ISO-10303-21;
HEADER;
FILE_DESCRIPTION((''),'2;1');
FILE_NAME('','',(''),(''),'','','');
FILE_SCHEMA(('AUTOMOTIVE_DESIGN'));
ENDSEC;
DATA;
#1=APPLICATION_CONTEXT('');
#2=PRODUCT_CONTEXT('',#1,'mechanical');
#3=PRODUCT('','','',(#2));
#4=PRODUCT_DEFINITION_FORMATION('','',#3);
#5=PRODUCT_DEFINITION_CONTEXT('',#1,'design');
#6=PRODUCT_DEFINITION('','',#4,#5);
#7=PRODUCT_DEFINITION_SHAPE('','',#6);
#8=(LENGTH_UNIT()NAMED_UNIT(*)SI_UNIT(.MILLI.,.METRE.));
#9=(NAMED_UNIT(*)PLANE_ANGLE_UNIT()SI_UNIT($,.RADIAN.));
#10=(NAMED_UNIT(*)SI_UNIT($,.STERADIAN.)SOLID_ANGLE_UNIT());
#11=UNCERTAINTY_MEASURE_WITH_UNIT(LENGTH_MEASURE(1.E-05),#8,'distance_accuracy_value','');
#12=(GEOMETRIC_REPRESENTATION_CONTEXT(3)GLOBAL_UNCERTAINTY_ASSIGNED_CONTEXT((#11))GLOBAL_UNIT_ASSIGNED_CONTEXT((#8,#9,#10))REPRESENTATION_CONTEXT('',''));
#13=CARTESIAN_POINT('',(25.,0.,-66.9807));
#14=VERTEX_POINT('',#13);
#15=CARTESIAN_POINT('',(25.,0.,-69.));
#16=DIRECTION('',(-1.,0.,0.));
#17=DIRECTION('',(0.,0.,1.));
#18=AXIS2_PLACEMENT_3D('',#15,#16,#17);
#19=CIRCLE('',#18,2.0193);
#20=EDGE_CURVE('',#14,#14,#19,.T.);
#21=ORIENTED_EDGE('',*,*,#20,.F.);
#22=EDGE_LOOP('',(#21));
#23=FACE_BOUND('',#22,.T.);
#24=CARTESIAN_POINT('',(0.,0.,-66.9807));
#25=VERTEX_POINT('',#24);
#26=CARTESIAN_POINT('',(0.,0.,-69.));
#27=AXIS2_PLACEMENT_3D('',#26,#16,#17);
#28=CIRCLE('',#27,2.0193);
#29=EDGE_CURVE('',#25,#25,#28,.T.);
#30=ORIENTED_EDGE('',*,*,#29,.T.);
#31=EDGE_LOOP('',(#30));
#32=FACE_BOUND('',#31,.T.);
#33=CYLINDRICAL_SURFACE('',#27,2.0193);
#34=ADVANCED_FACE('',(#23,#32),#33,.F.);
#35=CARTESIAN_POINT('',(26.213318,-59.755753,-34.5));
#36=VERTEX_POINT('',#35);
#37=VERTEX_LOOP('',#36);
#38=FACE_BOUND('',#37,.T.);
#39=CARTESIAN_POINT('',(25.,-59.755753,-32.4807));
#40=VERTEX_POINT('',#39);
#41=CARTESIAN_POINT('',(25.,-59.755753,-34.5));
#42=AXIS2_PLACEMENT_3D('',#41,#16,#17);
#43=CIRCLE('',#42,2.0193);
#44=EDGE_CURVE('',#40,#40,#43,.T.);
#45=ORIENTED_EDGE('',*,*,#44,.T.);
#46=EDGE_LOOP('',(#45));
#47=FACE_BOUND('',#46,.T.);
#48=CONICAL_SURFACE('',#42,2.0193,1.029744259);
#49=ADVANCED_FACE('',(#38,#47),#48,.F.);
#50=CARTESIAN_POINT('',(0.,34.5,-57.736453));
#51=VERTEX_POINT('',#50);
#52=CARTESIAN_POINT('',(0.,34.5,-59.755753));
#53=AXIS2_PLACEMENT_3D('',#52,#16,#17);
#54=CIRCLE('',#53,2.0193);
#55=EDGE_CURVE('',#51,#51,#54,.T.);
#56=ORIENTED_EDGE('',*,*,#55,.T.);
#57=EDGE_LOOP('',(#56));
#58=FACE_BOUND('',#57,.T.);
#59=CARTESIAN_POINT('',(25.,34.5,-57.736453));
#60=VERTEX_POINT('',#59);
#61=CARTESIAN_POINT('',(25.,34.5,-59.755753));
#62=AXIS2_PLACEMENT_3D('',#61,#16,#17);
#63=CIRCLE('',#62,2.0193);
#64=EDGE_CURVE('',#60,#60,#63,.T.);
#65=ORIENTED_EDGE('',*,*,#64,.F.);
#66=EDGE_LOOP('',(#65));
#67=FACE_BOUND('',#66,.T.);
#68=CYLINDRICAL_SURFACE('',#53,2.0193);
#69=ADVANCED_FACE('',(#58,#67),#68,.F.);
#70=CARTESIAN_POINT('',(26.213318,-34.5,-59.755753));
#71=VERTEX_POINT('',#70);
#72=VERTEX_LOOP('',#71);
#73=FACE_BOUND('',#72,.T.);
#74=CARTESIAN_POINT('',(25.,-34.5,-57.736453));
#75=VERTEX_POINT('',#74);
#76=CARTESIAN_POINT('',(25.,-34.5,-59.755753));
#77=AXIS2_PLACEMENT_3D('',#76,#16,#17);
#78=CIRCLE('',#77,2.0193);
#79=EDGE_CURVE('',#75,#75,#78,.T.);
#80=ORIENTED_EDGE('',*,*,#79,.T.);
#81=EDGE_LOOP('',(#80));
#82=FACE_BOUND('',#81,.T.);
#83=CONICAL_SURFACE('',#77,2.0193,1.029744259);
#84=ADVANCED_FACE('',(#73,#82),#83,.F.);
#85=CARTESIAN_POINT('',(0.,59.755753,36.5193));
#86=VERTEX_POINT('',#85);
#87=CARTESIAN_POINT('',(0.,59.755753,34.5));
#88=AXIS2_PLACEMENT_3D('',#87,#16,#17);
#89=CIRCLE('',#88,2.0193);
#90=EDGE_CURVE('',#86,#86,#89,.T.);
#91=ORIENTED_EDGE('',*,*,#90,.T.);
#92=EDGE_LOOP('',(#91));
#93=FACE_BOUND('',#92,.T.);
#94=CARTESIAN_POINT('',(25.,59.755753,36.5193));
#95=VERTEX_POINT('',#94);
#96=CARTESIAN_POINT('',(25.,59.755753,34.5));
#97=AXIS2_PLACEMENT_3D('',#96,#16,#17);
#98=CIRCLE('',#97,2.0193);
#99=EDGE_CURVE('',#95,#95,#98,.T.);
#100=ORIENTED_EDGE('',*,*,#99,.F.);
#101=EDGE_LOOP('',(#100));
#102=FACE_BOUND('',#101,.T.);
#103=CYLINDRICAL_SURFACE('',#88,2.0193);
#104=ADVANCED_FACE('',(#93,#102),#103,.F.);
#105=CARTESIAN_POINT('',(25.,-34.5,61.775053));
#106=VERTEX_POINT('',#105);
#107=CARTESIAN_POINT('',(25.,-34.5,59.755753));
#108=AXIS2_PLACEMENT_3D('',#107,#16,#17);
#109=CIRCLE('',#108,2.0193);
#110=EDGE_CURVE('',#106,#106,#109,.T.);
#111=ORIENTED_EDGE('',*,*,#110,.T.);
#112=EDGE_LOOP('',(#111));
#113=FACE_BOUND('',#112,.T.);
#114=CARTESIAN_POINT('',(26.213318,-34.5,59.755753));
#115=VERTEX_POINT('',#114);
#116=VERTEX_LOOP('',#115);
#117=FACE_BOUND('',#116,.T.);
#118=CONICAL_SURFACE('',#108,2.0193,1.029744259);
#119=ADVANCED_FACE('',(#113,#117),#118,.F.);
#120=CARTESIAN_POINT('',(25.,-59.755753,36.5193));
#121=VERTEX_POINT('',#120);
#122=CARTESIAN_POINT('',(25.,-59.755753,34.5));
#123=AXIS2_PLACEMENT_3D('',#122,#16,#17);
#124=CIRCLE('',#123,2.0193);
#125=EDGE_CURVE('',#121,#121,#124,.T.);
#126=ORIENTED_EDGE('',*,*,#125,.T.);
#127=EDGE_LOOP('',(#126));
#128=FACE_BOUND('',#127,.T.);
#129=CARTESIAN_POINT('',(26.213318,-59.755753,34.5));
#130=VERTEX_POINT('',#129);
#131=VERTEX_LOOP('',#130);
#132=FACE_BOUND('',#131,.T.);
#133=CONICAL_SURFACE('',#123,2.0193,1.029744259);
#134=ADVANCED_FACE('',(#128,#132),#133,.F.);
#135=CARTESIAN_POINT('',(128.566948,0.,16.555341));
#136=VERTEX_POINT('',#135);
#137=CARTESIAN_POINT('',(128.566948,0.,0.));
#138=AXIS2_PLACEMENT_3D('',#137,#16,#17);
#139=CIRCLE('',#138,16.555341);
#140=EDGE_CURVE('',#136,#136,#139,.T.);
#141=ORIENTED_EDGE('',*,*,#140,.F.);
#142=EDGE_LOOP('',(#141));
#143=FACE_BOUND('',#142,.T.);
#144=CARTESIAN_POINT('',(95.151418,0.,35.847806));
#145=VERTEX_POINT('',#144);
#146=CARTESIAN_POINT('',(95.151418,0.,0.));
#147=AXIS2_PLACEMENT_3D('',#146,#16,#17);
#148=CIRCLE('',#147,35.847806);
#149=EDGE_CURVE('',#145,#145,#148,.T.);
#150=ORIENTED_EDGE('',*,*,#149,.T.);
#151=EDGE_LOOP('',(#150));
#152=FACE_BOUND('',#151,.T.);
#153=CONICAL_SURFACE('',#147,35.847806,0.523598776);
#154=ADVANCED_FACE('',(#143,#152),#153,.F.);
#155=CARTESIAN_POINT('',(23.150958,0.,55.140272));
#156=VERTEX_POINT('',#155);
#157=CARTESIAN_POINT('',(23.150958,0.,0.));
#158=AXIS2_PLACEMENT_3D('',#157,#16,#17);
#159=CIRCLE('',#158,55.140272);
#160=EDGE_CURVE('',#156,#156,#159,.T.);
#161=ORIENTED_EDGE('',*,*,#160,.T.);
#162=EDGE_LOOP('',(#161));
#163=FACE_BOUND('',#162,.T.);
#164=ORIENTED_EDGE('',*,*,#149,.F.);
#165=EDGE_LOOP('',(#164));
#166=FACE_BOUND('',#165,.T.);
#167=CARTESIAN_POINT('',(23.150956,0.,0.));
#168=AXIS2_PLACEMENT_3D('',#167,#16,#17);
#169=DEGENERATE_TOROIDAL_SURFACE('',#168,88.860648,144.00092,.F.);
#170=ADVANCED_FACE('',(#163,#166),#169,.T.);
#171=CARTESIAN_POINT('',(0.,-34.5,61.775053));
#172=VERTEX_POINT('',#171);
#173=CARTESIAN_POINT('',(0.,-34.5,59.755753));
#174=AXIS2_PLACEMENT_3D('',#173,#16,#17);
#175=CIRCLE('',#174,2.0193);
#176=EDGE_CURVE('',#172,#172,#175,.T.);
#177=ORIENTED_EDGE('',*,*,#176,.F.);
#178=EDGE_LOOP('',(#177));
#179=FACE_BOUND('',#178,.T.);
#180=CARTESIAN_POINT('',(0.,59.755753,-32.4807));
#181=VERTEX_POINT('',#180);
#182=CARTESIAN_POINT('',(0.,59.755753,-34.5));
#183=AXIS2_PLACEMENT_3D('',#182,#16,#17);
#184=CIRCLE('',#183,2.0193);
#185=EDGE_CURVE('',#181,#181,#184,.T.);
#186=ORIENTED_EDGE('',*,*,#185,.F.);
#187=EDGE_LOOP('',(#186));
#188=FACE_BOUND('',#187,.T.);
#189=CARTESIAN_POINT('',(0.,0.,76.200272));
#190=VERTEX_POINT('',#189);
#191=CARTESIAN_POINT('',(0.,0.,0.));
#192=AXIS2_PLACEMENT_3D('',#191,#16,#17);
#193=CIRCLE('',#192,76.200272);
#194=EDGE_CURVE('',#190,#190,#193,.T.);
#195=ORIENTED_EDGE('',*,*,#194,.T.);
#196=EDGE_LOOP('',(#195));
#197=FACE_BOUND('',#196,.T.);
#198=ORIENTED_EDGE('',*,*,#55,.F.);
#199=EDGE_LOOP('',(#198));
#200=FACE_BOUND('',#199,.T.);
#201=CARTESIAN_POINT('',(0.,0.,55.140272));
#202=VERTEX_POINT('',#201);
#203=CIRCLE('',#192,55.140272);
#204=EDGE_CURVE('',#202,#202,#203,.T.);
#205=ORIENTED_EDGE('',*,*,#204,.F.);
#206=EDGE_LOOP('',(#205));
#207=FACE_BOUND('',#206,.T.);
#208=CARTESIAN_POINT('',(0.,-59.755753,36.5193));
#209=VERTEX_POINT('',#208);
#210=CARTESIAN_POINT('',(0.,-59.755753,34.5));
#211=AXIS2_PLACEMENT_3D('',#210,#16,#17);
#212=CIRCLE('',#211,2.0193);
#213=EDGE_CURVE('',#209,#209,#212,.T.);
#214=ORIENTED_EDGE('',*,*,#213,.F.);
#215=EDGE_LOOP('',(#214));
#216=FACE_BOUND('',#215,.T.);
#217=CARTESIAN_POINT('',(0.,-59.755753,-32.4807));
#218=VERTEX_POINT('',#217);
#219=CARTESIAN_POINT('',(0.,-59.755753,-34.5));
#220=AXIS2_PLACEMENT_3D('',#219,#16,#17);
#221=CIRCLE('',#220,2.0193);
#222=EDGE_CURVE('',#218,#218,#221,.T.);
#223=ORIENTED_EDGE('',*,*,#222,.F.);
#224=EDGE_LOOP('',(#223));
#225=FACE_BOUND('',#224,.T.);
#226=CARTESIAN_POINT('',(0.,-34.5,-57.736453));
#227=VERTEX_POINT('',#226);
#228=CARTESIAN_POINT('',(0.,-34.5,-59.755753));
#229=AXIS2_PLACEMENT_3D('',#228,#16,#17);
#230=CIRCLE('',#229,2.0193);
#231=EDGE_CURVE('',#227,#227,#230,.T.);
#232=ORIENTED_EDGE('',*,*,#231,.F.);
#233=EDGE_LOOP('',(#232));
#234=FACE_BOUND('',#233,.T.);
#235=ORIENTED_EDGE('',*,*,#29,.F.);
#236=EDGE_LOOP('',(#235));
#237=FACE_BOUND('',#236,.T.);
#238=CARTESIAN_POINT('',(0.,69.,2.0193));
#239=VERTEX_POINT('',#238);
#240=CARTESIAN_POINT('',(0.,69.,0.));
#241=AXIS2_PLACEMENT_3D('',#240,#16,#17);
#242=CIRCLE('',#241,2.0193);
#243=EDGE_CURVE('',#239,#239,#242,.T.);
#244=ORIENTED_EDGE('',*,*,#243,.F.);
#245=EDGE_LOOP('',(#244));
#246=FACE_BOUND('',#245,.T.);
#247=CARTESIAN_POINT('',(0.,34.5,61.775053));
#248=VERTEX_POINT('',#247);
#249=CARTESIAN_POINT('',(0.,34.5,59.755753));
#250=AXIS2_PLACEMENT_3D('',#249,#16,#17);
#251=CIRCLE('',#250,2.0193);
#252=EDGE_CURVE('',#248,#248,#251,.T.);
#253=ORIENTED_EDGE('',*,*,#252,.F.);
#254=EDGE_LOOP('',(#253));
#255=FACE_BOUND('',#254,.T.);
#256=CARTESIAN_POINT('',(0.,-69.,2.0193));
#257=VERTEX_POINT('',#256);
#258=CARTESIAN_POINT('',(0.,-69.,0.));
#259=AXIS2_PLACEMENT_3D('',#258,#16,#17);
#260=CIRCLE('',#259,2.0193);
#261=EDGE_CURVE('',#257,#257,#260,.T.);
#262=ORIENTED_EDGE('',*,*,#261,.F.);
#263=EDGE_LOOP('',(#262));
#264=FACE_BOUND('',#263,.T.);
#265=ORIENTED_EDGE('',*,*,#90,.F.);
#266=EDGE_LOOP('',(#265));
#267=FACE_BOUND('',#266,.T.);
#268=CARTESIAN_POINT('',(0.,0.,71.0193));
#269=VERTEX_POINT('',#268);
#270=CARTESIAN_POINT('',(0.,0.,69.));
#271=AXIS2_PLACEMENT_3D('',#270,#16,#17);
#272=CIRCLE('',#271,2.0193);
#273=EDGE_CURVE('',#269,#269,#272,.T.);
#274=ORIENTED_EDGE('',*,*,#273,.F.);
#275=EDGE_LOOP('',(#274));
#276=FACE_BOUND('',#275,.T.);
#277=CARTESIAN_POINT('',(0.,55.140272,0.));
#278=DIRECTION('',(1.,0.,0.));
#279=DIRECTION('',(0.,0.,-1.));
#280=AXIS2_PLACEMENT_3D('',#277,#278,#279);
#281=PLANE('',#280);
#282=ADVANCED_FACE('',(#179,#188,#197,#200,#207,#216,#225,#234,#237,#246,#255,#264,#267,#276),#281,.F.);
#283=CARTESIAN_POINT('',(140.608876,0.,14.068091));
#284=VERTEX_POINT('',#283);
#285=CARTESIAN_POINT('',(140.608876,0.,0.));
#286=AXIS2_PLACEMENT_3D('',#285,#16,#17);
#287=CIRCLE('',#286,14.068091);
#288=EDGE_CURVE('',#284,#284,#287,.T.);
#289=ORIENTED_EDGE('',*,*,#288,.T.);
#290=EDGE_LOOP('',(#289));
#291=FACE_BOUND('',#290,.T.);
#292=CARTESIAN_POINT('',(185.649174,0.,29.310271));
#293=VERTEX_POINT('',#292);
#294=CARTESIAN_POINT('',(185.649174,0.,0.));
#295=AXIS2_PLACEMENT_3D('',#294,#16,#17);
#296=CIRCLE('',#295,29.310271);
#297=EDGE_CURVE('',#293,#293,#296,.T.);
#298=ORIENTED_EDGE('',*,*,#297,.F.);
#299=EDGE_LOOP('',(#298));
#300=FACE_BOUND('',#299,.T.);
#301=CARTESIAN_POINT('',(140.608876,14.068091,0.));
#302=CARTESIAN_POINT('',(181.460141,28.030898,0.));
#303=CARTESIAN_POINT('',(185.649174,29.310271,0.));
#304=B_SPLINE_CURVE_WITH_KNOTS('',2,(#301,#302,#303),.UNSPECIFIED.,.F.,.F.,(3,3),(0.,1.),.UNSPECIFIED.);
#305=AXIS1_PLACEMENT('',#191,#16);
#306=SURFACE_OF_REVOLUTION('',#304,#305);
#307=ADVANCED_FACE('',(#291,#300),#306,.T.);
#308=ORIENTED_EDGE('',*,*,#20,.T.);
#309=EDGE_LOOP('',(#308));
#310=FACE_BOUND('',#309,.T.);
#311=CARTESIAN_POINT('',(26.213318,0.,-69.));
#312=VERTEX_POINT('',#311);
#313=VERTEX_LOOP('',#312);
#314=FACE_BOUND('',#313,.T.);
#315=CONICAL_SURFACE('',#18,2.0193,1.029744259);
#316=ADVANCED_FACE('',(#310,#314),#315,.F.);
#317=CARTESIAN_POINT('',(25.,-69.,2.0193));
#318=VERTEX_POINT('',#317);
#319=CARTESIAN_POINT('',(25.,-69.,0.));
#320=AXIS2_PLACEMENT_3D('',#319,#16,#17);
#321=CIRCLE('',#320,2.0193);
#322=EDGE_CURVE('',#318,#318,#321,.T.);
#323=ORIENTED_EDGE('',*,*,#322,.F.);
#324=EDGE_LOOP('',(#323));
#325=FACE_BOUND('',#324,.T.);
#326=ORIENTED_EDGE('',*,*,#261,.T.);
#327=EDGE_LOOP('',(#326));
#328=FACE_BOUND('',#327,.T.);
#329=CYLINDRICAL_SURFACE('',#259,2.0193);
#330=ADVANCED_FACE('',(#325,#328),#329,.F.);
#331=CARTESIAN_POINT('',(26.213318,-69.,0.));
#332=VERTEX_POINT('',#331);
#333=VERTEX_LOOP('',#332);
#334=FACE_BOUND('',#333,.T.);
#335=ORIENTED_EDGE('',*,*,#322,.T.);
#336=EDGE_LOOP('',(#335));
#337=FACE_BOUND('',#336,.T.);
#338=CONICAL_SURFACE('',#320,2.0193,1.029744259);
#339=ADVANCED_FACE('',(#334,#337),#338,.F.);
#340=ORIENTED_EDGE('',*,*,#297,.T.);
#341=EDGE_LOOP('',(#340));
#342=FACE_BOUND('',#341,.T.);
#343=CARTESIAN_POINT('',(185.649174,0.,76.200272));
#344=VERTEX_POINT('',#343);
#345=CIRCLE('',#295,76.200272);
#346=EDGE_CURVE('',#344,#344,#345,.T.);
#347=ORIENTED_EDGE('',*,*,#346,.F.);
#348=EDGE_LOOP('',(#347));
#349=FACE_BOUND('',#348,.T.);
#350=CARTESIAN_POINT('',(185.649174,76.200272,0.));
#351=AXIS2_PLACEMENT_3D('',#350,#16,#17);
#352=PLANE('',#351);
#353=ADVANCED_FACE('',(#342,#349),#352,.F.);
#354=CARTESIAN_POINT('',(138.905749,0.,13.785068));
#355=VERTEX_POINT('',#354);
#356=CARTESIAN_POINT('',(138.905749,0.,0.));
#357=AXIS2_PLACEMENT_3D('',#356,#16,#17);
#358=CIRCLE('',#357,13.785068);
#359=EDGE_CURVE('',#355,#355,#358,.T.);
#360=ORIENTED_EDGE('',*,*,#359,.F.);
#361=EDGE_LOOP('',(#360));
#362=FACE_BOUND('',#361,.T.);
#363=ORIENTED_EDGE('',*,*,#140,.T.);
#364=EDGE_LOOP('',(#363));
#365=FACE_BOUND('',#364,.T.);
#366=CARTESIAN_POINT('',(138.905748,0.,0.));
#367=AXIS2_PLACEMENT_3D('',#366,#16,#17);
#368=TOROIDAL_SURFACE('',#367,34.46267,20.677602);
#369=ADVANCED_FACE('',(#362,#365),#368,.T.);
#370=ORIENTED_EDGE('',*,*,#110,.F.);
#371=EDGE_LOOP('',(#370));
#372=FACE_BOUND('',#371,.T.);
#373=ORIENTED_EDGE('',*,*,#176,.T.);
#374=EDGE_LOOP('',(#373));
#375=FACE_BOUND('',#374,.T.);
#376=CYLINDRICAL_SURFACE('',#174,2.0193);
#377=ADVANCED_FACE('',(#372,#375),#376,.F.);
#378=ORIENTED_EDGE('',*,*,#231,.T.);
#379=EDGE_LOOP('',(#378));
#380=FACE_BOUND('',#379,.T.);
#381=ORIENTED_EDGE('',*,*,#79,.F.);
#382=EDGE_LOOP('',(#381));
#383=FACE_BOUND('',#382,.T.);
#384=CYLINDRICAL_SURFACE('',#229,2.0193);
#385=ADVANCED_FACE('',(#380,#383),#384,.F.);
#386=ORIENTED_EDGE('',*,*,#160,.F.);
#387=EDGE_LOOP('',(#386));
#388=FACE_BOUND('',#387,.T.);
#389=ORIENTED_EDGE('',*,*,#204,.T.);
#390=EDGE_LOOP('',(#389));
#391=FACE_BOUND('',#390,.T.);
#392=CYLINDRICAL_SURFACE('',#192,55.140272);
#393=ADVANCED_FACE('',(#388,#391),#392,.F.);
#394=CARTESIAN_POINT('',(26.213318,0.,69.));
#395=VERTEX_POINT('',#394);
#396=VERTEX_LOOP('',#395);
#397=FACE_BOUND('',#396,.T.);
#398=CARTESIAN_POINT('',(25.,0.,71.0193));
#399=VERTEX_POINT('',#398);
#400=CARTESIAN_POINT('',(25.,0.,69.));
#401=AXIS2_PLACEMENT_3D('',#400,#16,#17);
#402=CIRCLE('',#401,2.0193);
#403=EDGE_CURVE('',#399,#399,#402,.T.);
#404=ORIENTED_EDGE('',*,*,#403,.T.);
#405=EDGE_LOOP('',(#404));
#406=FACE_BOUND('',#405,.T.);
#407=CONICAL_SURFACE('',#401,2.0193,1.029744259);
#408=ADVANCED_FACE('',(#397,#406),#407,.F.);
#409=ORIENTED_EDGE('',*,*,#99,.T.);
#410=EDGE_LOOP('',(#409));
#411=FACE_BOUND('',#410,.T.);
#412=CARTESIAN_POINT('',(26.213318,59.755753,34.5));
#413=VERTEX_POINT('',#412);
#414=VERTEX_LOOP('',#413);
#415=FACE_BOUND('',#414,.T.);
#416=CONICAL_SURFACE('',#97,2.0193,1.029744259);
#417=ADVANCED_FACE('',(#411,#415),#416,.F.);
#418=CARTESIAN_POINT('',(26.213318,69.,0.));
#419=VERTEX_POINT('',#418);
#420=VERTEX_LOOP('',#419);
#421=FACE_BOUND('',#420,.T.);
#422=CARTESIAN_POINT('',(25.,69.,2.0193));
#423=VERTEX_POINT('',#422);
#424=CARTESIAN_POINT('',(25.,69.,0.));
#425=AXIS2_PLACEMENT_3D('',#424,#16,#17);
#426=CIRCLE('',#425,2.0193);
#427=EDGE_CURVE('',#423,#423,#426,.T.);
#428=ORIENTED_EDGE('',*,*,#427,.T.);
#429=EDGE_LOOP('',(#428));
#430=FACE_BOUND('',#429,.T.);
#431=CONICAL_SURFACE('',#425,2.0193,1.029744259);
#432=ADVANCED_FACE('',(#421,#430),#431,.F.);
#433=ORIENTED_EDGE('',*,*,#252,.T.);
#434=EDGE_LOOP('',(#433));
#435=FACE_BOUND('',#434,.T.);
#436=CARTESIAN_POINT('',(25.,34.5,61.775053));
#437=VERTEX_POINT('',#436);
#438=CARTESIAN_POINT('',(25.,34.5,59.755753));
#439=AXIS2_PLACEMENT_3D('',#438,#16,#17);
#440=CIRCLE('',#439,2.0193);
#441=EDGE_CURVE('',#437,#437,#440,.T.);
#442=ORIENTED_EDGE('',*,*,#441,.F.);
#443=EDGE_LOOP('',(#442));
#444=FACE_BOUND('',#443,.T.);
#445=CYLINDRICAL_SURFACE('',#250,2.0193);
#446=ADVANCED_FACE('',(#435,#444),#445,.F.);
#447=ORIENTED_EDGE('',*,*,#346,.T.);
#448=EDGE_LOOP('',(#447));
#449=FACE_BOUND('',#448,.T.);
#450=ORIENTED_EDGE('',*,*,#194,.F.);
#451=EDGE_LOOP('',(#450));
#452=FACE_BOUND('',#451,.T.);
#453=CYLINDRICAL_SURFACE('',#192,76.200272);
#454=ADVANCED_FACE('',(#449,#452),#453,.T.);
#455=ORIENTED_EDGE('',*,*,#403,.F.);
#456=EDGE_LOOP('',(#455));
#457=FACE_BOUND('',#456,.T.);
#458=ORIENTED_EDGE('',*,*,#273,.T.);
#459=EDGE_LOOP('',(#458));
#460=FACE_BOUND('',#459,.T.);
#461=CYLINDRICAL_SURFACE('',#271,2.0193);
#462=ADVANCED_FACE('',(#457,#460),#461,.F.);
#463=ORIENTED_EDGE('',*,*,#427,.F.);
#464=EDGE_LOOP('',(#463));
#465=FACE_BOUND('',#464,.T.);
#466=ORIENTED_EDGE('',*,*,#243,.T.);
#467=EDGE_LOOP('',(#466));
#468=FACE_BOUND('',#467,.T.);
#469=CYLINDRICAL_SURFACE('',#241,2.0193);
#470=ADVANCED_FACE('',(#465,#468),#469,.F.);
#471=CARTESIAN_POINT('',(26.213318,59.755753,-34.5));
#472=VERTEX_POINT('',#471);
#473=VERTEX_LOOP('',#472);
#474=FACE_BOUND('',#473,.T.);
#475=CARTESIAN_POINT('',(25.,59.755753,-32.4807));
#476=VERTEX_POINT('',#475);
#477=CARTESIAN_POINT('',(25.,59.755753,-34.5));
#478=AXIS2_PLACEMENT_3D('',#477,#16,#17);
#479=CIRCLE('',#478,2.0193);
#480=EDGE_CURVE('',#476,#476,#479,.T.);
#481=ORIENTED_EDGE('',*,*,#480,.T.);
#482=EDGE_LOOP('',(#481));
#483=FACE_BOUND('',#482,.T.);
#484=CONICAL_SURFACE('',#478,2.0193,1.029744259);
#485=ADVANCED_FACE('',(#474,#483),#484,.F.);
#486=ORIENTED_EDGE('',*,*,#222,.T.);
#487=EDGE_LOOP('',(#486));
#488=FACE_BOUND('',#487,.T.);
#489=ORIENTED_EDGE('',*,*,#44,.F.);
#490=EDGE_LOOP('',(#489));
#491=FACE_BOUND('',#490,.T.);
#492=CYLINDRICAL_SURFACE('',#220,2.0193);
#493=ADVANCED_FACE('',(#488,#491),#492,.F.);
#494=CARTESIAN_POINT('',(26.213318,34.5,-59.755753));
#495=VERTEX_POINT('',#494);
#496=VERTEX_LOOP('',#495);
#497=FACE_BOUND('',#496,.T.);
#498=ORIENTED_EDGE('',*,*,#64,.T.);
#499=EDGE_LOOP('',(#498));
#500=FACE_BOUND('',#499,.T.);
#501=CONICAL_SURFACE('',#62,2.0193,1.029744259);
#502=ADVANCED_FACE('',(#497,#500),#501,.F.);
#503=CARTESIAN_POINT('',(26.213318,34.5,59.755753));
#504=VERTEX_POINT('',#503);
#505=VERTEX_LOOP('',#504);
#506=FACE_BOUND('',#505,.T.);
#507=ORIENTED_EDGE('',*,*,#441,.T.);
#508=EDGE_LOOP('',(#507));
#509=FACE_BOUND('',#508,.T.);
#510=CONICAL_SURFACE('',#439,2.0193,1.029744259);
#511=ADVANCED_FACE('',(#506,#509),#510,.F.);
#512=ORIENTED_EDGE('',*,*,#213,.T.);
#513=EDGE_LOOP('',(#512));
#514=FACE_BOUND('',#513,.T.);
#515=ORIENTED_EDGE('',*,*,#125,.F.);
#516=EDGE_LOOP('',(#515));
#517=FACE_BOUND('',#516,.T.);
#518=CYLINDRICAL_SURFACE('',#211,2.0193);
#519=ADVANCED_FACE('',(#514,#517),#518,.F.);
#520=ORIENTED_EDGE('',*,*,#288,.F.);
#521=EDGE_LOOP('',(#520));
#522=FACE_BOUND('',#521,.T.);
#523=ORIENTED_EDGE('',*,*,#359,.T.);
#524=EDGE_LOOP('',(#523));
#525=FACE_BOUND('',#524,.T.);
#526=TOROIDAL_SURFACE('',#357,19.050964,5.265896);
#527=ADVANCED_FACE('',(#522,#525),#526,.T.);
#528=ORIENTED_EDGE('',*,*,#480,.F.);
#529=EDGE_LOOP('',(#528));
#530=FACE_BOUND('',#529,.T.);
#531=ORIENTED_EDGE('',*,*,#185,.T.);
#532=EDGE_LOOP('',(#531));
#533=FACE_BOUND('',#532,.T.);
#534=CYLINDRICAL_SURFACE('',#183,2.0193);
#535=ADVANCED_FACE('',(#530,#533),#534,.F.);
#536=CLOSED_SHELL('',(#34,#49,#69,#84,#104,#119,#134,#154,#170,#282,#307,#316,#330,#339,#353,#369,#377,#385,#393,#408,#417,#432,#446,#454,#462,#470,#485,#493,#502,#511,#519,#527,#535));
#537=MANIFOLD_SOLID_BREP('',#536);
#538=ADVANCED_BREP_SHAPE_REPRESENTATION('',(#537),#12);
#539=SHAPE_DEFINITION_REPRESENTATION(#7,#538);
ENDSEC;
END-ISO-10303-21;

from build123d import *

# Parameters (mm, degrees)
CIRPATTERN1_COUNT = 12


with BuildPart() as part:
    # Model → Revolve1 (revolve)
    with BuildSketch(Plane.XY, mode=Mode.PRIVATE) as revolve1_sk:
        with BuildLine():
            Line((0, 55.140272), (23.150958, 55.140272))
            ThreePointArc((23.150958, 55.140272), (60.421138671, 50.233559208), (95.151418, 35.847806))
            Line((95.151418, 35.847806), (128.566947896, 16.55534082))
            ThreePointArc((128.566947896, 16.55534082), (133.553991718, 14.489639839), (138.905748896, 13.78506782))
            ThreePointArc((138.905748896, 13.78506782), (139.768990342, 13.856305516), (140.608875713, 14.068091181))
            add(Edge.make_bspline(
                [(140.608875713, 14.068091181), (181.460140896, 28.03089782), (185.649173896, 29.31027082)],
                knots=[0, 0, 0, 1, 1, 1], degree=2))
            Line((185.649173896, 29.31027082), (185.649173896, 76.200272))
            Line((185.649173896, 76.200272), (0, 76.200272))
            Line((0, 76.200272), (0, 55.140272))
        make_face()
    revolve(revolve1_sk.sketch.rotate(Axis((0, 0, 0), (1, 0, 0)), 90), axis=Axis((0, 0, 0), (1, 0, 0)))

    # Sketch3 → #21 (0.159) Diameter Hole1 (revolve, cut)
    with BuildSketch(Plane(origin=(0, 0, 69), x_dir=(0, 0, 1), z_dir=(0, 1, 0))):
        Polygon((0, 0), (0, 26.213317848), (2.0193, 25), (2.0193, 0), align=None)
    f_21_0_159_diameter_hole1 = revolve(axis=Axis((-6.35, 0, 69), (1, 0, 0)), mode=Mode.SUBTRACT)

    # CirPattern1: #21 (0.159) Diameter Hole1 ×12 about axis
    cirpattern1_axis = Axis((0, 0, 0), (1, 0, 0))
    for i in range(1, CIRPATTERN1_COUNT):
        add(f_21_0_159_diameter_hole1.rotate(cirpattern1_axis, i * 360 / CIRPATTERN1_COUNT), mode=Mode.SUBTRACT)


solid = part.part
